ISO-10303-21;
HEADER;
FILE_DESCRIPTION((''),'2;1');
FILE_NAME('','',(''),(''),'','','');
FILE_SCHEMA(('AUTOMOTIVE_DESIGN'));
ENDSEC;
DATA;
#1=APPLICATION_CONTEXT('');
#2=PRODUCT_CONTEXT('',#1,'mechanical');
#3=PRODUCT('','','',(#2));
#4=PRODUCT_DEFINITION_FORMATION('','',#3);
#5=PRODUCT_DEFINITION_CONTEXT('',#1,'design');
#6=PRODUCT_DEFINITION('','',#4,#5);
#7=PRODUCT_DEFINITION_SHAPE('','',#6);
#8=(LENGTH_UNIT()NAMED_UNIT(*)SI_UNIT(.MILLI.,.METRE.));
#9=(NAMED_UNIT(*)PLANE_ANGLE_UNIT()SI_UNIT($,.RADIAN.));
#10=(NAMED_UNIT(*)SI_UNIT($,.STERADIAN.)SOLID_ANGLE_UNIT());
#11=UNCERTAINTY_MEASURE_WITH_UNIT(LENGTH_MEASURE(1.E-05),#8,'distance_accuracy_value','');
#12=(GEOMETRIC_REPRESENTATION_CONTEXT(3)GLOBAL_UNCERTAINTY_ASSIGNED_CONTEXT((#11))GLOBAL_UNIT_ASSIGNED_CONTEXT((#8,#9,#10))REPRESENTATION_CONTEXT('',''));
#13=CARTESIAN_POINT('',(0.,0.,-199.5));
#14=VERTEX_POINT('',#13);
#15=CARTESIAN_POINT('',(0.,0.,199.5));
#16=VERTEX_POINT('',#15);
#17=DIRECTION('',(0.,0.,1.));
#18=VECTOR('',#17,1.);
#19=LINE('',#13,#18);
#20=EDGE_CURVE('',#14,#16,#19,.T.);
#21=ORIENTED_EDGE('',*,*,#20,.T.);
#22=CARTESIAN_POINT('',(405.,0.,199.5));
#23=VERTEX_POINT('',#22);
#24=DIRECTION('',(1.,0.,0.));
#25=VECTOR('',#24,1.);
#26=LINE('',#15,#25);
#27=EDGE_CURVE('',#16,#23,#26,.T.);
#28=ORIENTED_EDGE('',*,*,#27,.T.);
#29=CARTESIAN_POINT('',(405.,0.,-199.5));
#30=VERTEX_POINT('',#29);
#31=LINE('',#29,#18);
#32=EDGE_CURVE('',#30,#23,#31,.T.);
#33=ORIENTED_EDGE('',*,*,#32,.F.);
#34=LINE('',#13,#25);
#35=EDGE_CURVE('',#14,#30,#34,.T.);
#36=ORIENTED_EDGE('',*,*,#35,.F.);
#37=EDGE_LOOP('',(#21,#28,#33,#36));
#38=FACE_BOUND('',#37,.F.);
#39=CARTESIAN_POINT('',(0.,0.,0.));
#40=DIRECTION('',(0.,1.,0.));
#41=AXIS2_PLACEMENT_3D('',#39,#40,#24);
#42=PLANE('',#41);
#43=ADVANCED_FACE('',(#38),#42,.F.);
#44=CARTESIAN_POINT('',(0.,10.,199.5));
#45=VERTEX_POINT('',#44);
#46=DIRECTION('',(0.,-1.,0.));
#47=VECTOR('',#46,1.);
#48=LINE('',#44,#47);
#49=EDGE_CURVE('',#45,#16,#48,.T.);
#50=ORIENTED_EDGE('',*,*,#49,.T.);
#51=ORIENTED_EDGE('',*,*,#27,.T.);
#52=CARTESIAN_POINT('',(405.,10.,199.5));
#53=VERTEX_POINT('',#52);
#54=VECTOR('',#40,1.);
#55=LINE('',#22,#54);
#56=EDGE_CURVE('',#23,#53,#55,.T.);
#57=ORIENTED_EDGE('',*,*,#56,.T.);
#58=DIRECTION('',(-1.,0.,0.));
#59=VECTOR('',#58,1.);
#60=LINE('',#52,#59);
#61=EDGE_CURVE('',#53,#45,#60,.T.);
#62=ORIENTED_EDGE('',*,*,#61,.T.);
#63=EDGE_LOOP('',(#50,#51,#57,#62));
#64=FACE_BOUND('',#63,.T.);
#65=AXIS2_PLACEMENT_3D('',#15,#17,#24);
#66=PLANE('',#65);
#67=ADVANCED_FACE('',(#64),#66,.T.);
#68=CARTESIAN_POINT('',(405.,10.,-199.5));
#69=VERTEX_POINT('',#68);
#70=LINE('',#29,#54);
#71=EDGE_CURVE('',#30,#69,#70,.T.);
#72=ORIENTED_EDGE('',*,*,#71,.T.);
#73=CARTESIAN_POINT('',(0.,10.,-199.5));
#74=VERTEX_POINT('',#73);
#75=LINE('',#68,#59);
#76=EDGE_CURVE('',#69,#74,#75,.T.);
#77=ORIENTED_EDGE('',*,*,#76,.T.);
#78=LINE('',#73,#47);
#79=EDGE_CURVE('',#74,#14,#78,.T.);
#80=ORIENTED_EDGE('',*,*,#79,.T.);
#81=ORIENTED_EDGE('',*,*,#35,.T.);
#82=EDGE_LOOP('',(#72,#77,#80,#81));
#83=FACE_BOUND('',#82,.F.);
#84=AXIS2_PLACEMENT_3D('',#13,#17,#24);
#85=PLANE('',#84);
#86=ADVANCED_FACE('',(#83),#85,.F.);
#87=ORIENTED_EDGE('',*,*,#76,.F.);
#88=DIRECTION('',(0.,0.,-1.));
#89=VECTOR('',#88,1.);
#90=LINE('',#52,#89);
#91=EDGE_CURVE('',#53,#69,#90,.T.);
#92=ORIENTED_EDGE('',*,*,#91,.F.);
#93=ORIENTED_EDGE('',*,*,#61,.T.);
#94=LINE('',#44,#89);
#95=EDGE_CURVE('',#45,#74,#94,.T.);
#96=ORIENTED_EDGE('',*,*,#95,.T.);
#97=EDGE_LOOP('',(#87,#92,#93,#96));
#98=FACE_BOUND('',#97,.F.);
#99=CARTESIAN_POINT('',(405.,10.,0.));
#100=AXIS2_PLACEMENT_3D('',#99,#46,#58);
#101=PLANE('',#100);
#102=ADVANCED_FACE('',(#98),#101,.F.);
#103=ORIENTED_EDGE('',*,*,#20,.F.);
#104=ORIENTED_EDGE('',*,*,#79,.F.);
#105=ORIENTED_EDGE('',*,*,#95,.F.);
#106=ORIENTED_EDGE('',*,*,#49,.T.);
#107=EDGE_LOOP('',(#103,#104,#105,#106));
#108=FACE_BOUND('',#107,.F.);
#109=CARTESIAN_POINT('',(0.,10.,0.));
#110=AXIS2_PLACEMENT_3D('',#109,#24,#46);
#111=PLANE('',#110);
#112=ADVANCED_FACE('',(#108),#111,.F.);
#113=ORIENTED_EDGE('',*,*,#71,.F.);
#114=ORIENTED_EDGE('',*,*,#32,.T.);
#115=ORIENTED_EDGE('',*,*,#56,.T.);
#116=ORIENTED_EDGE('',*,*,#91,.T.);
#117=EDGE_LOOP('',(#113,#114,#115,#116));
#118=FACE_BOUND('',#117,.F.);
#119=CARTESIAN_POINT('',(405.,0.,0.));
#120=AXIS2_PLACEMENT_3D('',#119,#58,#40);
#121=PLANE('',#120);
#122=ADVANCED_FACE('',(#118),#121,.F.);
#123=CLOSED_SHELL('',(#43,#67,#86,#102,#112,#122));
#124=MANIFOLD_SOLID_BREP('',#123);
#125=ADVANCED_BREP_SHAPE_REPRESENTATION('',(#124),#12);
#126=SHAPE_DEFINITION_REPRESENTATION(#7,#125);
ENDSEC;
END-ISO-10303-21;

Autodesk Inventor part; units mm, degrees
ref_plane "YZ Plane" through (0, 0, 0) normal (1, 0, 0) x (0, 1, 0)
ref_plane "XZ Plane" through (0, 0, 0) normal (0, 1, 0) x (-1, 0, 0)
ref_plane "XY Plane" through (0, 0, 0) normal (0, 0, 1) x (1, 0, 0)
sketch "Szkic1" plane through (0, 0, 0) normal (0, 0, 1) x (1, 0, 0)
  line L0 (0, 0) -> (405, 0)
  line L1 (405, 0) -> (405, 10)
  line L2 (405, 10) -> (0, 10)
  line L3 (0, 10) -> (0, 0)
  dimension "d0" = 405
  dimension "d1" = 10
extrude "Wyciągnięcie proste1" add sketch "Szkic1" along normal mid plane 399
properties part number "Pianka_oparcia" material "Pianka poliuretanowa"
